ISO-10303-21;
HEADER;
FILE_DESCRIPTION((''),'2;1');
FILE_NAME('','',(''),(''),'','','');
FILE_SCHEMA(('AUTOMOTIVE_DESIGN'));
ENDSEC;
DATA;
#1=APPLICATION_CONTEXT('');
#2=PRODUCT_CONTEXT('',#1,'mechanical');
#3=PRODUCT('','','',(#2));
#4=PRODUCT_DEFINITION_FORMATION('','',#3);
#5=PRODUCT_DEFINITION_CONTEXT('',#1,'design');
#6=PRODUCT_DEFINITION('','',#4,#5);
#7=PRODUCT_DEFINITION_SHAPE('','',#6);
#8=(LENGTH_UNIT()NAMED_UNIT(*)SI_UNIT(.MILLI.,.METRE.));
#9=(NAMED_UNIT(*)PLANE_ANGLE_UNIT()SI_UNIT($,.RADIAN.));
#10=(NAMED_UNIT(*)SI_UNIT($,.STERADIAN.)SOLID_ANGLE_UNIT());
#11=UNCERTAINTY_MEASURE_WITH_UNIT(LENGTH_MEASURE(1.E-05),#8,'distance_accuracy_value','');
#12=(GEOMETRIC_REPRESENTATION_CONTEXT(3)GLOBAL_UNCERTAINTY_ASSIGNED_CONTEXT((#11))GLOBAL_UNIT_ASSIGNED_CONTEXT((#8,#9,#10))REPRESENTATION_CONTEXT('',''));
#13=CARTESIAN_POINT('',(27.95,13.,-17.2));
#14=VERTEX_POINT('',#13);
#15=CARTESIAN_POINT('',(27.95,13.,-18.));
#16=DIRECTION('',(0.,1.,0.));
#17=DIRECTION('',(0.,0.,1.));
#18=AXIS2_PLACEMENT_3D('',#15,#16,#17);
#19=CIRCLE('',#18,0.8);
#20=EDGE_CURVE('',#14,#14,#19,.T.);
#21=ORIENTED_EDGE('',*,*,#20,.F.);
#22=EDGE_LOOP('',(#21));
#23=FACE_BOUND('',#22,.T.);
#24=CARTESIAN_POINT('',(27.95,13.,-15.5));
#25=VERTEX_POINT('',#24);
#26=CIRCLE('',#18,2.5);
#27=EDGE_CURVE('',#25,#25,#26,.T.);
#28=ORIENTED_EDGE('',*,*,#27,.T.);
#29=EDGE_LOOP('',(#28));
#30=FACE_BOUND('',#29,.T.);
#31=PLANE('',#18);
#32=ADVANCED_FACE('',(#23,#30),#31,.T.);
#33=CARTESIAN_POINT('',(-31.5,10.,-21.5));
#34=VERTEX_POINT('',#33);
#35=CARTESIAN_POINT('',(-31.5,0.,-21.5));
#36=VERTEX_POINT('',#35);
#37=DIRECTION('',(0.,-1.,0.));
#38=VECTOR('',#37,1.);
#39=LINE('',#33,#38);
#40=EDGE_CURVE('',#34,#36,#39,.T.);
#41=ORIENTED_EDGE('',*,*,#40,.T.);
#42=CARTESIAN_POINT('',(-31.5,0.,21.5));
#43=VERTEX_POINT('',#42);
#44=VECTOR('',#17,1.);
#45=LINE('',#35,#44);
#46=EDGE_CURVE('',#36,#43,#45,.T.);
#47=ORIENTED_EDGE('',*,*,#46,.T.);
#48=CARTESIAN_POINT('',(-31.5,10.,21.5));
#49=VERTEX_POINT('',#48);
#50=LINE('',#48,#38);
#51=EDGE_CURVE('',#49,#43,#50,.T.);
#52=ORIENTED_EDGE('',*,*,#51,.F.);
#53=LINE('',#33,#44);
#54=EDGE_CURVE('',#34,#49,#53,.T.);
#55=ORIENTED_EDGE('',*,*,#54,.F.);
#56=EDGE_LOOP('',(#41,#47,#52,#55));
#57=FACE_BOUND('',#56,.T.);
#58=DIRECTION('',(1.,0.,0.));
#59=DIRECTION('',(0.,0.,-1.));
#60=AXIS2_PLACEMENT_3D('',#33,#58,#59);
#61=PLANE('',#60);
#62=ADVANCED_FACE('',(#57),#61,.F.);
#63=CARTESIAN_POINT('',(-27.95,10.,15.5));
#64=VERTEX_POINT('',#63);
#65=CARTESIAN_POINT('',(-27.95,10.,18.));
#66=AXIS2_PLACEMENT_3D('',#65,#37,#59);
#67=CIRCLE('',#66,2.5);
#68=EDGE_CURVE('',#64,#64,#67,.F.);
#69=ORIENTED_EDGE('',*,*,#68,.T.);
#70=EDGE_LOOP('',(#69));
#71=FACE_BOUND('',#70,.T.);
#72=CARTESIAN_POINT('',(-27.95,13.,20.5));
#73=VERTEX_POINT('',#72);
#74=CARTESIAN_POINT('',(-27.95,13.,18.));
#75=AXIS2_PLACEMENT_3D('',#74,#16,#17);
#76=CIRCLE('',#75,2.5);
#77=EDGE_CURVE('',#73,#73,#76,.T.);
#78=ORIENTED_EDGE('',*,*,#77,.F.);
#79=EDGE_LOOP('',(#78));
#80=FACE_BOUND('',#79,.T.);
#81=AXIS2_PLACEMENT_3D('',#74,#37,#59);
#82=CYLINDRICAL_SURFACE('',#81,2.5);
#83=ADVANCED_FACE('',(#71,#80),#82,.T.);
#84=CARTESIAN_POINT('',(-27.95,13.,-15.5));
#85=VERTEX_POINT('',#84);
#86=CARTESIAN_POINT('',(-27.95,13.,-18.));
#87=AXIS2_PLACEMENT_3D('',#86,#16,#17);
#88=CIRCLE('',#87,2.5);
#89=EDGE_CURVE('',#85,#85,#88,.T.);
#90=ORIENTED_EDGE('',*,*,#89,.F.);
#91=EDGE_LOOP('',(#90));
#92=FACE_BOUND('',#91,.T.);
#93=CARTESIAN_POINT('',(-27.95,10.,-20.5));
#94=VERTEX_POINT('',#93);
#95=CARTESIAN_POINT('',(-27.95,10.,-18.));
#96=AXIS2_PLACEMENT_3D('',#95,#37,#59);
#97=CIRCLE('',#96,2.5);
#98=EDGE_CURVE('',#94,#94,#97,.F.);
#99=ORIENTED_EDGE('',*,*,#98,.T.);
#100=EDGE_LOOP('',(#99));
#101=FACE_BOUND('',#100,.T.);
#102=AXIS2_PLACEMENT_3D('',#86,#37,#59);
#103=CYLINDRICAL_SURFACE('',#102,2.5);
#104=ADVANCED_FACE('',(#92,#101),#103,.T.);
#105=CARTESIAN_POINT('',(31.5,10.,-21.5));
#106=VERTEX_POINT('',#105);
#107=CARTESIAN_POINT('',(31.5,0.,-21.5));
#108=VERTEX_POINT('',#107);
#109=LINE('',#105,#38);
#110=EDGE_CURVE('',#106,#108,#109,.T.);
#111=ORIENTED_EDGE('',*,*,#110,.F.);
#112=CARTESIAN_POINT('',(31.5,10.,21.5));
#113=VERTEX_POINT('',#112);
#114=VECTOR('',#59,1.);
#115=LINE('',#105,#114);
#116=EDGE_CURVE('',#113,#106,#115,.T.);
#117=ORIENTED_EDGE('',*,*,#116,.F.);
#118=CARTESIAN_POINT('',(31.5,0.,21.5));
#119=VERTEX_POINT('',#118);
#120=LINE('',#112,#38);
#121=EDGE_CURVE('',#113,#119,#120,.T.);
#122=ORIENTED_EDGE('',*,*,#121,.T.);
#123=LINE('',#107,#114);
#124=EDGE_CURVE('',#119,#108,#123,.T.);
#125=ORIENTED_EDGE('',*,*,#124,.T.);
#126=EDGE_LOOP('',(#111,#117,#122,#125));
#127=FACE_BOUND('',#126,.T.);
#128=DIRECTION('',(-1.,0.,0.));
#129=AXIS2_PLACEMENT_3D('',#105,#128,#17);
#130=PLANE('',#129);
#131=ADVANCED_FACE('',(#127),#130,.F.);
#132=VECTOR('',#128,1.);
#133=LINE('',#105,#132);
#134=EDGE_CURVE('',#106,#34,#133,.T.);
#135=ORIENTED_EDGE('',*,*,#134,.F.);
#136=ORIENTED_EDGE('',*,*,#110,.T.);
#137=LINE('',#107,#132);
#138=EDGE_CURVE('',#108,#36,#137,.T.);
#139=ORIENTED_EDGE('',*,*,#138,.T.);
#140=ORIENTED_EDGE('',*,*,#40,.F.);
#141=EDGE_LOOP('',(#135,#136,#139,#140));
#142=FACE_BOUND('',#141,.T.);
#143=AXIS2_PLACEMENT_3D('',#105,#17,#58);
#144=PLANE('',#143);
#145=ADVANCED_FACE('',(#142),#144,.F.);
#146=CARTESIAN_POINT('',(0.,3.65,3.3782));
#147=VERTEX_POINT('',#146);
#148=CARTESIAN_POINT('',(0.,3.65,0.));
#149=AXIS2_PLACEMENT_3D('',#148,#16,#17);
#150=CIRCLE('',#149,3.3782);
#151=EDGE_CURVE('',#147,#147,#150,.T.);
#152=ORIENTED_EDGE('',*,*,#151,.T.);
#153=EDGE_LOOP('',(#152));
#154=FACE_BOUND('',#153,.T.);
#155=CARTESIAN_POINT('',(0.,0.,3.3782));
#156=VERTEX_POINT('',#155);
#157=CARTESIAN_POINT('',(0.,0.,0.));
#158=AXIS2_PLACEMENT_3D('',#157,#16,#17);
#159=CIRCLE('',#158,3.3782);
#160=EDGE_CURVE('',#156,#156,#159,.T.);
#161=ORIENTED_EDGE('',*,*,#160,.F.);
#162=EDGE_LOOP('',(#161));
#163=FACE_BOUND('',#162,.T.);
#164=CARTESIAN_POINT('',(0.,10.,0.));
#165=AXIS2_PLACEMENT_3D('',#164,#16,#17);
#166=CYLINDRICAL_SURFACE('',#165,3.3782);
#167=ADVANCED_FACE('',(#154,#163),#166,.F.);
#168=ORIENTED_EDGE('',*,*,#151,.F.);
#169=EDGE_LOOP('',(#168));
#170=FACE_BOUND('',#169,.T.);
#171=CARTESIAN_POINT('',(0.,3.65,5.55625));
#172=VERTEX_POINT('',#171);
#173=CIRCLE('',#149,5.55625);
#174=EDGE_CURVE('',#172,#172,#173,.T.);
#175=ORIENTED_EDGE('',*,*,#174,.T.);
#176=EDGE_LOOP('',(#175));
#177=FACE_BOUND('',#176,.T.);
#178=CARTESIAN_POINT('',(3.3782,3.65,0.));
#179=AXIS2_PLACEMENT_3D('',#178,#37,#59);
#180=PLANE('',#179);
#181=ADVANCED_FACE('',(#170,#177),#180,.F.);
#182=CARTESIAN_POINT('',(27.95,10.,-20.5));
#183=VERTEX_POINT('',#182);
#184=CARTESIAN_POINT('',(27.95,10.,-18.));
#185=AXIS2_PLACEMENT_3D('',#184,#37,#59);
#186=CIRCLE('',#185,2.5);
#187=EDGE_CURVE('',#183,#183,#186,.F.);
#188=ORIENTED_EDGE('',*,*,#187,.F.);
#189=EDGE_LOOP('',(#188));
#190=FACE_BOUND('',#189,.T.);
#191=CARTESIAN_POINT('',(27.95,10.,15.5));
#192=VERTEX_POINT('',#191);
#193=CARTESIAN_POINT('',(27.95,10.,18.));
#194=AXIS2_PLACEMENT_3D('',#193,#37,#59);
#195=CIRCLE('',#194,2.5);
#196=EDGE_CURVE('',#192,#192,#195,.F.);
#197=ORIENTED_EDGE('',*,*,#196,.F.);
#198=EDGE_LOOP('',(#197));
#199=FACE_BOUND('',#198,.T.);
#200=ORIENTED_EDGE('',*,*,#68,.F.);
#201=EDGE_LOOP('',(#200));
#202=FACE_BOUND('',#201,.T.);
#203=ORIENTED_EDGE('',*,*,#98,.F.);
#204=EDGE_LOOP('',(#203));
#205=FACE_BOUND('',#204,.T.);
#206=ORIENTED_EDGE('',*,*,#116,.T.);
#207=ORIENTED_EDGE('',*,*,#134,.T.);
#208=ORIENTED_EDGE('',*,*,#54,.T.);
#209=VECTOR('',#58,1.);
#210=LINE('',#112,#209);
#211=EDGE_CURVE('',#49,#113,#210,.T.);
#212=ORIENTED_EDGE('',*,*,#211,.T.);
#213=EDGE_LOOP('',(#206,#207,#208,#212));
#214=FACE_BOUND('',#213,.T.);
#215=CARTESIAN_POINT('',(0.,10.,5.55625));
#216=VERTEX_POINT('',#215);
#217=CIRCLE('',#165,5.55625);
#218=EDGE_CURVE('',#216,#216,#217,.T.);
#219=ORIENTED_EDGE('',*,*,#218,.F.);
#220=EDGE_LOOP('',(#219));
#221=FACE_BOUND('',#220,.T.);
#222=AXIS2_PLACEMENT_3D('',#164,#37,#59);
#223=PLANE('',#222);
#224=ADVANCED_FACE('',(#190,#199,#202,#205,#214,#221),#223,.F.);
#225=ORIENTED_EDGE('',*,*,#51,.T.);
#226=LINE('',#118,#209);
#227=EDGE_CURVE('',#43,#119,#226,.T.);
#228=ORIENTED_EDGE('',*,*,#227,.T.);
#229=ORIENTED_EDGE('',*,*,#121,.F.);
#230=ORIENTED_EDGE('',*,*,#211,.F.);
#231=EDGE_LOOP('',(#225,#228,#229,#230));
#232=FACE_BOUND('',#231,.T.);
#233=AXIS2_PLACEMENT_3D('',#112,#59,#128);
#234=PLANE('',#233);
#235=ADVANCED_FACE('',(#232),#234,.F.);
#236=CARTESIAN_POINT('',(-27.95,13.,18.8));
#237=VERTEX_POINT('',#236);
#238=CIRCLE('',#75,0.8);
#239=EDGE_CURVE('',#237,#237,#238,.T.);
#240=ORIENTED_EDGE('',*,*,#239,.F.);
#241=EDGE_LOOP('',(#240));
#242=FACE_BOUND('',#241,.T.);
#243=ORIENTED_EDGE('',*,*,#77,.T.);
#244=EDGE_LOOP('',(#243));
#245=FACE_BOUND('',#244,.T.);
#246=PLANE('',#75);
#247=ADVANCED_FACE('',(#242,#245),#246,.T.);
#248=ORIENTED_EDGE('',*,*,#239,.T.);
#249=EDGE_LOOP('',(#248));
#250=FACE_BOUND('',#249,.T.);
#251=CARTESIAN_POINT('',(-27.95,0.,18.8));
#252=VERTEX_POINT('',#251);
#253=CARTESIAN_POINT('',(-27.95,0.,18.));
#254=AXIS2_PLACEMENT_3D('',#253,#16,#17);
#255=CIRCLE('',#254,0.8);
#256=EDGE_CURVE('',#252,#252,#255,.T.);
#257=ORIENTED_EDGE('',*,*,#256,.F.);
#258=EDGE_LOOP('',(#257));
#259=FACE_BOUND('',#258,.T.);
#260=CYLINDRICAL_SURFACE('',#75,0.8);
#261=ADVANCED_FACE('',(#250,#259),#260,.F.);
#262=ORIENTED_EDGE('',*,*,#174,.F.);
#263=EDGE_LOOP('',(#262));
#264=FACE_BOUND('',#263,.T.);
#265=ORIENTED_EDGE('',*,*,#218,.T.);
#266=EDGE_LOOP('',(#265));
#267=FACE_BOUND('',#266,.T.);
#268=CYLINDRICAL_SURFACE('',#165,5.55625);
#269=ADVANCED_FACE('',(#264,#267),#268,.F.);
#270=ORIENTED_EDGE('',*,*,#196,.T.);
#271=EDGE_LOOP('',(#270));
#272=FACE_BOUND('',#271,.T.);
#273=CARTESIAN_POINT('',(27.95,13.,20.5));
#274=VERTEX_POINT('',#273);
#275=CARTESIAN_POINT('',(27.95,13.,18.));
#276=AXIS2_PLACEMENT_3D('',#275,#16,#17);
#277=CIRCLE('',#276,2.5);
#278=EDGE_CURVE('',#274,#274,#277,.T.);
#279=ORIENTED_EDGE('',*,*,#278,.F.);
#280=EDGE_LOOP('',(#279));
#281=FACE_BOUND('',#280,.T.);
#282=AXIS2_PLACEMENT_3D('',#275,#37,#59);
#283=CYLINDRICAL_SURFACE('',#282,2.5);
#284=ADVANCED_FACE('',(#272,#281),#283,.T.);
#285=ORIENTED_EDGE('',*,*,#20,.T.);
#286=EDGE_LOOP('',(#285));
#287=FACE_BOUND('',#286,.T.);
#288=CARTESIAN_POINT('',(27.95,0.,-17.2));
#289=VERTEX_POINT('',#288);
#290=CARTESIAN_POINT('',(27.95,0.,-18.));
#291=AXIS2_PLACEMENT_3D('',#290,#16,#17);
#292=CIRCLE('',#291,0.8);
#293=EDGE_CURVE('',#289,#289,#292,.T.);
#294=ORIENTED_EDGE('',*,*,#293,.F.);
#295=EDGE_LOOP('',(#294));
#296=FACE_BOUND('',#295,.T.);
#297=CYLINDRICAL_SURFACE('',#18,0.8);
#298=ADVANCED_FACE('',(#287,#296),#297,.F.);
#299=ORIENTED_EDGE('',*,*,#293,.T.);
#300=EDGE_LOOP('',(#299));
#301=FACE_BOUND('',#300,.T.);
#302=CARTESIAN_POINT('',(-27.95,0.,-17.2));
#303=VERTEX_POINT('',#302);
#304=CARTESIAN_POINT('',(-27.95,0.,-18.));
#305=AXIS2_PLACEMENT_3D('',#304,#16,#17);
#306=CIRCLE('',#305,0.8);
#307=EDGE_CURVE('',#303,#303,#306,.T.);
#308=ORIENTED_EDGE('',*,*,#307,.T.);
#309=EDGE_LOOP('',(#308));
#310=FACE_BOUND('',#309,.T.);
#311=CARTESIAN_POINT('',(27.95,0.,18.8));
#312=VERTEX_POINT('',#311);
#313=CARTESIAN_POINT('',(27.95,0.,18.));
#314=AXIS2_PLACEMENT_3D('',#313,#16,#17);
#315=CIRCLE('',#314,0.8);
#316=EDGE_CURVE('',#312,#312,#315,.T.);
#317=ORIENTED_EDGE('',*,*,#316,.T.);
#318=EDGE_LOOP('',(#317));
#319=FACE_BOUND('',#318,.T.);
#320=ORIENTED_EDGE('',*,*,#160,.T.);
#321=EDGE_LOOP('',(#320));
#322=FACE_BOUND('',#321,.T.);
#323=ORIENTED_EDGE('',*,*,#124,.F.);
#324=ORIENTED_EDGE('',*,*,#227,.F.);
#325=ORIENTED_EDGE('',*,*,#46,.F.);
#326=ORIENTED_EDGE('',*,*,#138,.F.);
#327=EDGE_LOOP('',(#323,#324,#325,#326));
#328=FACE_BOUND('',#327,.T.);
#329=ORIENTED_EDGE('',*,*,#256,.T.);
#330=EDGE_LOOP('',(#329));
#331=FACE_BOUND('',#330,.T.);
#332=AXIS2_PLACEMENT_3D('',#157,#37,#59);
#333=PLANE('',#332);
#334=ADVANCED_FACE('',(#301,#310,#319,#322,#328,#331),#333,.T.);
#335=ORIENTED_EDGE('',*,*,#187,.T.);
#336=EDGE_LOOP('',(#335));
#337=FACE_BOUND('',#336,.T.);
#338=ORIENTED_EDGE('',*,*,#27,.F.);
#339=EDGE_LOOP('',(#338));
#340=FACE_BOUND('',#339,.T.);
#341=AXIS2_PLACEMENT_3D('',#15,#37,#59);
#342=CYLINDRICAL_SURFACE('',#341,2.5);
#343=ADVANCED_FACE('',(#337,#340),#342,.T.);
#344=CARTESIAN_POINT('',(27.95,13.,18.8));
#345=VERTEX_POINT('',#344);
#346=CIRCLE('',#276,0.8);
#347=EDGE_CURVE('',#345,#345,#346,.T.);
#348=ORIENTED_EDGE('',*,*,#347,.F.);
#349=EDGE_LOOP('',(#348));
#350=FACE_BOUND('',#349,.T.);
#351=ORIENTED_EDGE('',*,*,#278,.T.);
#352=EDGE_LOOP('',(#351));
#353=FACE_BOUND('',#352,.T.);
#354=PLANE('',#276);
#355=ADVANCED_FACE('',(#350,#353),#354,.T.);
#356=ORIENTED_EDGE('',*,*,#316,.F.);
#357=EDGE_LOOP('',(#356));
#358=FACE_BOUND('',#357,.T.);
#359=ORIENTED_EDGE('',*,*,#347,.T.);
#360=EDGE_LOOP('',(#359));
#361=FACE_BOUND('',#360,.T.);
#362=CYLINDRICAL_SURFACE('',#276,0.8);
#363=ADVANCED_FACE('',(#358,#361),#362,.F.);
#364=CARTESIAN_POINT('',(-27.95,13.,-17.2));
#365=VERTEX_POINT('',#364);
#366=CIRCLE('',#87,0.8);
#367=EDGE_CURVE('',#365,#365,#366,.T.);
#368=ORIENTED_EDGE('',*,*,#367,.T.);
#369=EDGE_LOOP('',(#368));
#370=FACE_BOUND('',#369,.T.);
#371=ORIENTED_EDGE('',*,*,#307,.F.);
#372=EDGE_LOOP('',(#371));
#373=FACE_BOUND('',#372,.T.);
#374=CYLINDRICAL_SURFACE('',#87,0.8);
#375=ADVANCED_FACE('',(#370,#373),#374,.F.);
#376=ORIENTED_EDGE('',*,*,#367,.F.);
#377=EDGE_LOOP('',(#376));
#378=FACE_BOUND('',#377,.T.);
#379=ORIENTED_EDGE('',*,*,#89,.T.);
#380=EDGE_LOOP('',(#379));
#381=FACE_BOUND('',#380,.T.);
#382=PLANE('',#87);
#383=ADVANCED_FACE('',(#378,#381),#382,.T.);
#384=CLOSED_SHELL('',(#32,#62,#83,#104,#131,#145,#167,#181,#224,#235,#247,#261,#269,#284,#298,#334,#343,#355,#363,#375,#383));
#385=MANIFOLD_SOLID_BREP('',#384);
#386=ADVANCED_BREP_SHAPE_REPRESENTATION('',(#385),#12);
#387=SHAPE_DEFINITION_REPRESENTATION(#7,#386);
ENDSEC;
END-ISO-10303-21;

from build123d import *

# Parameters (mm, degrees)
SKETCH1_W                                        = 63
SKETCH1_H                                        = 43
BOSS_EXTRUDE1_DEPTH                              = 10
CBORE_FOR_1_4_SOCKET_HEAD_CAP_SCREW1_D           = 6.7564
CBORE_FOR_1_4_SOCKET_HEAD_CAP_SCREW1_CBORE_D     = 11.1125
CBORE_FOR_1_4_SOCKET_HEAD_CAP_SCREW1_CBORE_DEPTH = 6.35
SKETCH6_R                                        = 2.5
BOSS_EXTRUDE2_DEPTH                              = 3
M2X0_4_TAPPED_HOLE1_D                            = 1.6


with BuildPart() as part:
    # Sketch1 → Boss-Extrude1 (new body)
    with BuildSketch(Plane(origin=(0, 0, 0), x_dir=(1, 0, 0), z_dir=(0, 1, 0))):
        Rectangle(SKETCH1_W, SKETCH1_H)
    extrude(amount=BOSS_EXTRUDE1_DEPTH)

    # CBORE for 1/4 Socket Head Cap Screw1 (through all)
    with Locations(Plane(origin=(0, 10, 0), x_dir=(1, 0, 0), z_dir=(0, 1, 0))):
        with Locations((0, 0)):
            CounterBoreHole(CBORE_FOR_1_4_SOCKET_HEAD_CAP_SCREW1_D / 2, CBORE_FOR_1_4_SOCKET_HEAD_CAP_SCREW1_CBORE_D / 2, CBORE_FOR_1_4_SOCKET_HEAD_CAP_SCREW1_CBORE_DEPTH)

    # Sketch6 → Boss-Extrude2 (add)
    with BuildSketch(Plane(origin=(0, 10, 0), x_dir=(1, 0, 0), z_dir=(0, 1, 0))):
        with Locations(Location((-27.95, 18, 0), (0, 0, 90))):
            Circle(SKETCH6_R)
        with Locations(Location((27.95, 18, 0), (0, 0, 90))):
            Circle(SKETCH6_R)
        with Locations(Location((27.95, -18, 0), (0, 0, 90))):
            Circle(SKETCH6_R)
        with Locations(Location((-27.95, -18, 0), (0, 0, 90))):
            Circle(SKETCH6_R)
    extrude(amount=BOSS_EXTRUDE2_DEPTH)

    # M2x0.4 Tapped Hole1 (through all)
    with Locations(Plane(origin=(0, 13, 0), x_dir=(1, 0, 0), z_dir=(0, 1, 0))):
        with Locations((-27.95, 18), (27.95, 18), (27.95, -18), (-27.95, -18)):
            Hole(M2X0_4_TAPPED_HOLE1_D / 2)


solid = part.part
